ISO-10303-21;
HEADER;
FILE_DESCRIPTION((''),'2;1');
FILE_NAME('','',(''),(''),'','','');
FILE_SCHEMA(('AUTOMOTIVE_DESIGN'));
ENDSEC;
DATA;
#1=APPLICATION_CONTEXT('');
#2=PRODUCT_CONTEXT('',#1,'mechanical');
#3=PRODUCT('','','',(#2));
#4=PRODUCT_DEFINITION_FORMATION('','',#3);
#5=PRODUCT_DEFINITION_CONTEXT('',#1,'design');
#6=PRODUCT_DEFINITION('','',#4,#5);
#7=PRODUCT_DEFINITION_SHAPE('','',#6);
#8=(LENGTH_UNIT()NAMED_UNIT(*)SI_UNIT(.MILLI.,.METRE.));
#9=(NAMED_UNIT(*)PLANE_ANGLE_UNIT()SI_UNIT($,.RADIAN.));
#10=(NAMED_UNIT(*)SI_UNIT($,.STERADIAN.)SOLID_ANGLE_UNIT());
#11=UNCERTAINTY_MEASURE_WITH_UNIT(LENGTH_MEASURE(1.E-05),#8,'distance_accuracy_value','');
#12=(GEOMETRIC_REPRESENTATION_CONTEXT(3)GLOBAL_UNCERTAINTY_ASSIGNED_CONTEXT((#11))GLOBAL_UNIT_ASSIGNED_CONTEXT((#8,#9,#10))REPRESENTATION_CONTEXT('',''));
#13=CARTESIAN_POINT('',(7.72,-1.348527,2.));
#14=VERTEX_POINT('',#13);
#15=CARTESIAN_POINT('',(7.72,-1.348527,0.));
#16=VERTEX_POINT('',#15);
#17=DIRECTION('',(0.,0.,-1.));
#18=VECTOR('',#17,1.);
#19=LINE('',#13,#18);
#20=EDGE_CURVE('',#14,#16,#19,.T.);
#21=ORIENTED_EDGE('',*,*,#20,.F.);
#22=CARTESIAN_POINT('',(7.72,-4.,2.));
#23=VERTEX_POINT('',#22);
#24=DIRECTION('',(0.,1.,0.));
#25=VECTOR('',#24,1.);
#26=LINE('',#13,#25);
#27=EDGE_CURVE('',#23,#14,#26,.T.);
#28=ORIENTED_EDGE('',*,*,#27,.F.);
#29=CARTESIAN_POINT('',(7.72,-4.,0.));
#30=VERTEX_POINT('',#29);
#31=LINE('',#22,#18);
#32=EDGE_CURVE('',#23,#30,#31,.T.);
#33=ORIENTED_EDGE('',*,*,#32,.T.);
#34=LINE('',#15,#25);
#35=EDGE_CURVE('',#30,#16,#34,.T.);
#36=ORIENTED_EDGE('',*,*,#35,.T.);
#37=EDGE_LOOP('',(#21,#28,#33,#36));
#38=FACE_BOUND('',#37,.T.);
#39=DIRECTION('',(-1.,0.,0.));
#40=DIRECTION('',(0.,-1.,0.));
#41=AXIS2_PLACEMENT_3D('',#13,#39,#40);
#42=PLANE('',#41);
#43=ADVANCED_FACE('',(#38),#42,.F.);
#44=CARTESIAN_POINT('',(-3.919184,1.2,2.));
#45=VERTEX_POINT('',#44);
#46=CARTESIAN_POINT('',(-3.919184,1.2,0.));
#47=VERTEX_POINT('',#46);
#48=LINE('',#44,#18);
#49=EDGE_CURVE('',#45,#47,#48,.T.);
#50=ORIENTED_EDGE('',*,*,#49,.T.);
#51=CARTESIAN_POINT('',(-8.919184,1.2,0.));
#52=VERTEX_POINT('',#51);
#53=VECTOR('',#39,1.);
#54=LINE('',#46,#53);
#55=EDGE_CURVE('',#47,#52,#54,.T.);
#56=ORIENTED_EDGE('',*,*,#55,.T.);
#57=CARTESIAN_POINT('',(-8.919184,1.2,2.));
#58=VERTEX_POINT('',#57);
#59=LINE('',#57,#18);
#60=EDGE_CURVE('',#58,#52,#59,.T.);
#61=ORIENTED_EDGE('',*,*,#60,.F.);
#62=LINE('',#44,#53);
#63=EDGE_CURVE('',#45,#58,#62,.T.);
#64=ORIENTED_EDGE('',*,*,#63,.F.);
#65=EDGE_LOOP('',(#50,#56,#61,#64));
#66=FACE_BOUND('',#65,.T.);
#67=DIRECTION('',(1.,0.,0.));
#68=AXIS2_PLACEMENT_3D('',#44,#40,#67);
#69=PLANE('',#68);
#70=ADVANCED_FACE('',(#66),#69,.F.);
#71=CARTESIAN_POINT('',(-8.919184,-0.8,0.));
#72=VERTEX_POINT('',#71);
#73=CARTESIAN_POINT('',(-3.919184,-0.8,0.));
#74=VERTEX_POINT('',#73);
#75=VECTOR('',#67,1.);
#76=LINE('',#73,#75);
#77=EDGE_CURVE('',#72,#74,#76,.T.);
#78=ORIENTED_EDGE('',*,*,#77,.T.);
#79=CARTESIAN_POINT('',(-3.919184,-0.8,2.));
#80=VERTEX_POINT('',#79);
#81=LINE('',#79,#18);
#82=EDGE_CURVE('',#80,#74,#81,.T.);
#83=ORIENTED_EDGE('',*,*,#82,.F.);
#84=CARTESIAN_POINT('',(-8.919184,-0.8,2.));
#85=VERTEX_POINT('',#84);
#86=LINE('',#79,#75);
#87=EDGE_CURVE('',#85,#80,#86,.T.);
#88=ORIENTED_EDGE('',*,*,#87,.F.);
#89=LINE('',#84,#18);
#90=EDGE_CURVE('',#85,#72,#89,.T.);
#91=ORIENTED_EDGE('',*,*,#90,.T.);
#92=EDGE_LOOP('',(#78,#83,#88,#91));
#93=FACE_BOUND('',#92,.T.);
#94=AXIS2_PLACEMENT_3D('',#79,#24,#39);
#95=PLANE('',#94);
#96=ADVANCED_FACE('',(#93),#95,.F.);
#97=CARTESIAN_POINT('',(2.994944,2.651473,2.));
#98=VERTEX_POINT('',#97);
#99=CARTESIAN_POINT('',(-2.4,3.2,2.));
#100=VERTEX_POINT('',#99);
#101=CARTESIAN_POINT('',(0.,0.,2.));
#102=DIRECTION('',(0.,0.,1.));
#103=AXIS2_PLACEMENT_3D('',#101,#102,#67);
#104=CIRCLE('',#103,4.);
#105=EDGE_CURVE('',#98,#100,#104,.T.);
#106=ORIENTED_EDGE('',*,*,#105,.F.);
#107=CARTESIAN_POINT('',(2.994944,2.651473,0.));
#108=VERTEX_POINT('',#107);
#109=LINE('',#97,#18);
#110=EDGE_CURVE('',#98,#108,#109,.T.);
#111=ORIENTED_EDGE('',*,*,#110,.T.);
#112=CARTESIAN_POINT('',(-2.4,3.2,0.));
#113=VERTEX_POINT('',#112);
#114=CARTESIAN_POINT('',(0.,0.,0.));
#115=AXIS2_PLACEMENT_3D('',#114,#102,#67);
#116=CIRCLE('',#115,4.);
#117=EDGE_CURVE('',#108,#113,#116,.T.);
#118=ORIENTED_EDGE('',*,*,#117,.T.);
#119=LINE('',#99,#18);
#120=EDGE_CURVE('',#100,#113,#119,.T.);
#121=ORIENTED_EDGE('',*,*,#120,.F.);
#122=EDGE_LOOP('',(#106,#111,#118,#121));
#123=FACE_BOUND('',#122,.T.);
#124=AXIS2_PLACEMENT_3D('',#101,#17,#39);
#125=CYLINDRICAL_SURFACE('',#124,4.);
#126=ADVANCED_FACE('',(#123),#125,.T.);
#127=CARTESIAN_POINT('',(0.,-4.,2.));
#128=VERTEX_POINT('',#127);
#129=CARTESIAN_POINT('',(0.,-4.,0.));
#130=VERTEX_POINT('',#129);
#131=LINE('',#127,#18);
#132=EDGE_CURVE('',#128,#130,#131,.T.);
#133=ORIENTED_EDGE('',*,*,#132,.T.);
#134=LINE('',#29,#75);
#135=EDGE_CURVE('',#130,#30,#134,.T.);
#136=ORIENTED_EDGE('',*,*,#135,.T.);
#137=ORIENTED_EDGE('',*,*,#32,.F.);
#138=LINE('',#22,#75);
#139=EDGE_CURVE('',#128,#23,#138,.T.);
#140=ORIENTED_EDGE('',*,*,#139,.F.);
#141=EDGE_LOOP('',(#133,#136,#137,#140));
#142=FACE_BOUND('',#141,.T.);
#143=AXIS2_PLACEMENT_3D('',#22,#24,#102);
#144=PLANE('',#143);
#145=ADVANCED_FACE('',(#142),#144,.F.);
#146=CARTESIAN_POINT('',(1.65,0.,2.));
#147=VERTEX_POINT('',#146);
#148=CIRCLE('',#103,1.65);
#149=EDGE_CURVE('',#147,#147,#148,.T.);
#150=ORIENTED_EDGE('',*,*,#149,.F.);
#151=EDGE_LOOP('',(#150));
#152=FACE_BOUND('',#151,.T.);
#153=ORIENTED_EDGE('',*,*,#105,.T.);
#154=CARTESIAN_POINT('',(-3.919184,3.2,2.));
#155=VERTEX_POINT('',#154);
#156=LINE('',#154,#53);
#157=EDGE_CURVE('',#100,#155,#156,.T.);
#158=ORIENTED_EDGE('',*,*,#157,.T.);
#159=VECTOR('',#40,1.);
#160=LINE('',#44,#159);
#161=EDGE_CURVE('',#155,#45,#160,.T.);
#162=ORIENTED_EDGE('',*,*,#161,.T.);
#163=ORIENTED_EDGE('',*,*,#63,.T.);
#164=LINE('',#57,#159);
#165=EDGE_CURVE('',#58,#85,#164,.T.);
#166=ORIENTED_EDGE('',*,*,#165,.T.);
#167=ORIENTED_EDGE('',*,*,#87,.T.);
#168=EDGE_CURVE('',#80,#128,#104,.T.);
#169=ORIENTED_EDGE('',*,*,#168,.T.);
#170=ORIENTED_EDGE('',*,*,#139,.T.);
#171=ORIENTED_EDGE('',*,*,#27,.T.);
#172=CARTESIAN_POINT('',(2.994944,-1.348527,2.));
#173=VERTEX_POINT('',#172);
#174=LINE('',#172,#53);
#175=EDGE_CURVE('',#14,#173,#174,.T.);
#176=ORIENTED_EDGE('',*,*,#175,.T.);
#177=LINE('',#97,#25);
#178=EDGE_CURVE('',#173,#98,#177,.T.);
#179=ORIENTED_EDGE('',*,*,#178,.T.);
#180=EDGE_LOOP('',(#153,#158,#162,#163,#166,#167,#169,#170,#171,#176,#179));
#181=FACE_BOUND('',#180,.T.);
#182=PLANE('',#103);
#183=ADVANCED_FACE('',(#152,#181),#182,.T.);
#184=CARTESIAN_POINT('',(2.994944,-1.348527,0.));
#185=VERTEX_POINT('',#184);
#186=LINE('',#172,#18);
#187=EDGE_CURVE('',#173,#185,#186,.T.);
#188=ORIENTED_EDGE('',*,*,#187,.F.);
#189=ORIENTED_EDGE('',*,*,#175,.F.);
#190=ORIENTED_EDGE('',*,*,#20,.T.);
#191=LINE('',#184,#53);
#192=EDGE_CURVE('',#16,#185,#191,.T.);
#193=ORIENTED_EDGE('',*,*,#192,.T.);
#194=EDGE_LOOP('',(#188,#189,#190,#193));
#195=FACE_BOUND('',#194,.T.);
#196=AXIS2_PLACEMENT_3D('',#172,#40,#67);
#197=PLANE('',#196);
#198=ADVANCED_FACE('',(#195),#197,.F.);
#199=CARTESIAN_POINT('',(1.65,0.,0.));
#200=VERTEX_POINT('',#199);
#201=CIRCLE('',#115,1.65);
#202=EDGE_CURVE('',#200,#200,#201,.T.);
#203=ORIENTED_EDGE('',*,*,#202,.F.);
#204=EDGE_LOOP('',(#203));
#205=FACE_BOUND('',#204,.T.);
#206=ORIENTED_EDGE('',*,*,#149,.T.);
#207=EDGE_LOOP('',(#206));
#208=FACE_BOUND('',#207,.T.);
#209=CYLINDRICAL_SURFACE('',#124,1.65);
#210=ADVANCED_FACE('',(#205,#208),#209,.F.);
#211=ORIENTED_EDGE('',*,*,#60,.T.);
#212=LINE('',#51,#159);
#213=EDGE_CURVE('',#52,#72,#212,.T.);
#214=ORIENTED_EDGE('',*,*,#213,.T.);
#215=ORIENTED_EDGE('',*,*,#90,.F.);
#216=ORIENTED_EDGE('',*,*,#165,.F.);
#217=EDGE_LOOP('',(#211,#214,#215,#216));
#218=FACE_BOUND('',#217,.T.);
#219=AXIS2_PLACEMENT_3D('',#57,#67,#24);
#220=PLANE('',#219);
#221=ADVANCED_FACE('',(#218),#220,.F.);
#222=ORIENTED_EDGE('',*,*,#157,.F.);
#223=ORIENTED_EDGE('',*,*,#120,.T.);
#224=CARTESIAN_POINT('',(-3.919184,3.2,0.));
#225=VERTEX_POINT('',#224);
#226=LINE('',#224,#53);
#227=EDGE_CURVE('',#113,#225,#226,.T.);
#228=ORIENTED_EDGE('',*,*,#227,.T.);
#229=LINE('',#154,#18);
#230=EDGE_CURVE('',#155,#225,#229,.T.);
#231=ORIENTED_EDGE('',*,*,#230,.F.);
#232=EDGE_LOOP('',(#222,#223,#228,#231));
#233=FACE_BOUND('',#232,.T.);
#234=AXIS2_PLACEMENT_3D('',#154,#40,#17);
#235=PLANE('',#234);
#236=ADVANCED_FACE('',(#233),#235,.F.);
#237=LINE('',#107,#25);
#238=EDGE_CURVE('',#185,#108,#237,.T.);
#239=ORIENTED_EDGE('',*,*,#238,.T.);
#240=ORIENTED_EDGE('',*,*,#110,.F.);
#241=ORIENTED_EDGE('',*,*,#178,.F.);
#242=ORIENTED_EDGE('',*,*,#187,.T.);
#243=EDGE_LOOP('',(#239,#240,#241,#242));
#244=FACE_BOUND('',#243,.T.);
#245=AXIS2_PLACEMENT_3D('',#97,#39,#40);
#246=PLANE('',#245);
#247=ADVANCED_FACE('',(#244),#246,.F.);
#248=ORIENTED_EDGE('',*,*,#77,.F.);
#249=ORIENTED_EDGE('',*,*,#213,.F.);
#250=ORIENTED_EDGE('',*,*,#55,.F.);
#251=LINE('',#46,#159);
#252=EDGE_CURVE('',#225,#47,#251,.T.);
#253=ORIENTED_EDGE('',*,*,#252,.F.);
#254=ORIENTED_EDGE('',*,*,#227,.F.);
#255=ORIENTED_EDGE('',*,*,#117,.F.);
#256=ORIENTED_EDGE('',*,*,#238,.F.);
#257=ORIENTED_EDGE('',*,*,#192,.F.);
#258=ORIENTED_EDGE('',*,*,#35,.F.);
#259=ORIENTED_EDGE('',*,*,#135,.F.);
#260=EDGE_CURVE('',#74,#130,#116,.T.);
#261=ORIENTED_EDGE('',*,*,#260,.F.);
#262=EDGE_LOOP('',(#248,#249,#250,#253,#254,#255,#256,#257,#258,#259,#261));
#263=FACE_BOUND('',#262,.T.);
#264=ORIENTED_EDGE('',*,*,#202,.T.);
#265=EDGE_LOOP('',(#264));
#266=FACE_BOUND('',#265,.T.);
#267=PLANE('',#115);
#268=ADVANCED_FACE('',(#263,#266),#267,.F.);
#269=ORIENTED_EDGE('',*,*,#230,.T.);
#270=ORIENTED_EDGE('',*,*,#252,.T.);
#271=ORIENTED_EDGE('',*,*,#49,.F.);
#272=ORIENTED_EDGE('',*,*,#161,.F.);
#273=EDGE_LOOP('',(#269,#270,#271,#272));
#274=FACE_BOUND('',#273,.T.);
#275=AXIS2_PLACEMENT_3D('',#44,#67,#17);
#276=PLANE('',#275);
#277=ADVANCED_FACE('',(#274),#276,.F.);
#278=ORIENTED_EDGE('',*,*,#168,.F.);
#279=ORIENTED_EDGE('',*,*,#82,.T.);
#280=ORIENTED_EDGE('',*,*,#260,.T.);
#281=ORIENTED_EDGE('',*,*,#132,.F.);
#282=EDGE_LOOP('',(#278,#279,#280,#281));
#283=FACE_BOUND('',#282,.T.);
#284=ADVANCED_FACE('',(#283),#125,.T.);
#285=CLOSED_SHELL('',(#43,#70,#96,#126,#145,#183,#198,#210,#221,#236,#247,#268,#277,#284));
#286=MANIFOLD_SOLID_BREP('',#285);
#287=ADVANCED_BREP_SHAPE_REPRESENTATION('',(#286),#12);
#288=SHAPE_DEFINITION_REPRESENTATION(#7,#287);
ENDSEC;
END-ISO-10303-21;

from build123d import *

# Parameters (mm, degrees)
SKETCH1_R           = 1.65
BOSS_EXTRUDE1_DEPTH = 2


with BuildPart() as part:
    # Sketch1 → Boss-Extrude1 (new body)
    with BuildSketch(Plane.XY):
        with BuildLine():
            Line((7.72, -4), (0, -4))
            ThreePointArc((0, -4), (-2.529822128, -3.098386677), (-3.919183588, -0.8))
            Line((-3.919183588, -0.8), (-8.919183588, -0.8))
            Line((-8.919183588, -0.8), (-8.919183588, 1.2))
            Line((-8.919183588, 1.2), (-3.919183588, 1.2))
            Line((-3.919183588, 1.2), (-3.919183588, 3.2))
            Line((-3.919183588, 3.2), (-2.4, 3.2))
            ThreePointArc((-2.4, 3.2), (0.404610957, 3.979483631), (2.994944065, 2.651473185))
            Line((2.994944065, 2.651473185), (2.994944065, -1.348526815))
            Line((2.994944065, -1.348526815), (7.72, -1.348526815))
            Line((7.72, -1.348526815), (7.72, -4))
        make_face()
        Circle(SKETCH1_R, mode=Mode.SUBTRACT)
    extrude(amount=BOSS_EXTRUDE1_DEPTH)


solid = part.part
